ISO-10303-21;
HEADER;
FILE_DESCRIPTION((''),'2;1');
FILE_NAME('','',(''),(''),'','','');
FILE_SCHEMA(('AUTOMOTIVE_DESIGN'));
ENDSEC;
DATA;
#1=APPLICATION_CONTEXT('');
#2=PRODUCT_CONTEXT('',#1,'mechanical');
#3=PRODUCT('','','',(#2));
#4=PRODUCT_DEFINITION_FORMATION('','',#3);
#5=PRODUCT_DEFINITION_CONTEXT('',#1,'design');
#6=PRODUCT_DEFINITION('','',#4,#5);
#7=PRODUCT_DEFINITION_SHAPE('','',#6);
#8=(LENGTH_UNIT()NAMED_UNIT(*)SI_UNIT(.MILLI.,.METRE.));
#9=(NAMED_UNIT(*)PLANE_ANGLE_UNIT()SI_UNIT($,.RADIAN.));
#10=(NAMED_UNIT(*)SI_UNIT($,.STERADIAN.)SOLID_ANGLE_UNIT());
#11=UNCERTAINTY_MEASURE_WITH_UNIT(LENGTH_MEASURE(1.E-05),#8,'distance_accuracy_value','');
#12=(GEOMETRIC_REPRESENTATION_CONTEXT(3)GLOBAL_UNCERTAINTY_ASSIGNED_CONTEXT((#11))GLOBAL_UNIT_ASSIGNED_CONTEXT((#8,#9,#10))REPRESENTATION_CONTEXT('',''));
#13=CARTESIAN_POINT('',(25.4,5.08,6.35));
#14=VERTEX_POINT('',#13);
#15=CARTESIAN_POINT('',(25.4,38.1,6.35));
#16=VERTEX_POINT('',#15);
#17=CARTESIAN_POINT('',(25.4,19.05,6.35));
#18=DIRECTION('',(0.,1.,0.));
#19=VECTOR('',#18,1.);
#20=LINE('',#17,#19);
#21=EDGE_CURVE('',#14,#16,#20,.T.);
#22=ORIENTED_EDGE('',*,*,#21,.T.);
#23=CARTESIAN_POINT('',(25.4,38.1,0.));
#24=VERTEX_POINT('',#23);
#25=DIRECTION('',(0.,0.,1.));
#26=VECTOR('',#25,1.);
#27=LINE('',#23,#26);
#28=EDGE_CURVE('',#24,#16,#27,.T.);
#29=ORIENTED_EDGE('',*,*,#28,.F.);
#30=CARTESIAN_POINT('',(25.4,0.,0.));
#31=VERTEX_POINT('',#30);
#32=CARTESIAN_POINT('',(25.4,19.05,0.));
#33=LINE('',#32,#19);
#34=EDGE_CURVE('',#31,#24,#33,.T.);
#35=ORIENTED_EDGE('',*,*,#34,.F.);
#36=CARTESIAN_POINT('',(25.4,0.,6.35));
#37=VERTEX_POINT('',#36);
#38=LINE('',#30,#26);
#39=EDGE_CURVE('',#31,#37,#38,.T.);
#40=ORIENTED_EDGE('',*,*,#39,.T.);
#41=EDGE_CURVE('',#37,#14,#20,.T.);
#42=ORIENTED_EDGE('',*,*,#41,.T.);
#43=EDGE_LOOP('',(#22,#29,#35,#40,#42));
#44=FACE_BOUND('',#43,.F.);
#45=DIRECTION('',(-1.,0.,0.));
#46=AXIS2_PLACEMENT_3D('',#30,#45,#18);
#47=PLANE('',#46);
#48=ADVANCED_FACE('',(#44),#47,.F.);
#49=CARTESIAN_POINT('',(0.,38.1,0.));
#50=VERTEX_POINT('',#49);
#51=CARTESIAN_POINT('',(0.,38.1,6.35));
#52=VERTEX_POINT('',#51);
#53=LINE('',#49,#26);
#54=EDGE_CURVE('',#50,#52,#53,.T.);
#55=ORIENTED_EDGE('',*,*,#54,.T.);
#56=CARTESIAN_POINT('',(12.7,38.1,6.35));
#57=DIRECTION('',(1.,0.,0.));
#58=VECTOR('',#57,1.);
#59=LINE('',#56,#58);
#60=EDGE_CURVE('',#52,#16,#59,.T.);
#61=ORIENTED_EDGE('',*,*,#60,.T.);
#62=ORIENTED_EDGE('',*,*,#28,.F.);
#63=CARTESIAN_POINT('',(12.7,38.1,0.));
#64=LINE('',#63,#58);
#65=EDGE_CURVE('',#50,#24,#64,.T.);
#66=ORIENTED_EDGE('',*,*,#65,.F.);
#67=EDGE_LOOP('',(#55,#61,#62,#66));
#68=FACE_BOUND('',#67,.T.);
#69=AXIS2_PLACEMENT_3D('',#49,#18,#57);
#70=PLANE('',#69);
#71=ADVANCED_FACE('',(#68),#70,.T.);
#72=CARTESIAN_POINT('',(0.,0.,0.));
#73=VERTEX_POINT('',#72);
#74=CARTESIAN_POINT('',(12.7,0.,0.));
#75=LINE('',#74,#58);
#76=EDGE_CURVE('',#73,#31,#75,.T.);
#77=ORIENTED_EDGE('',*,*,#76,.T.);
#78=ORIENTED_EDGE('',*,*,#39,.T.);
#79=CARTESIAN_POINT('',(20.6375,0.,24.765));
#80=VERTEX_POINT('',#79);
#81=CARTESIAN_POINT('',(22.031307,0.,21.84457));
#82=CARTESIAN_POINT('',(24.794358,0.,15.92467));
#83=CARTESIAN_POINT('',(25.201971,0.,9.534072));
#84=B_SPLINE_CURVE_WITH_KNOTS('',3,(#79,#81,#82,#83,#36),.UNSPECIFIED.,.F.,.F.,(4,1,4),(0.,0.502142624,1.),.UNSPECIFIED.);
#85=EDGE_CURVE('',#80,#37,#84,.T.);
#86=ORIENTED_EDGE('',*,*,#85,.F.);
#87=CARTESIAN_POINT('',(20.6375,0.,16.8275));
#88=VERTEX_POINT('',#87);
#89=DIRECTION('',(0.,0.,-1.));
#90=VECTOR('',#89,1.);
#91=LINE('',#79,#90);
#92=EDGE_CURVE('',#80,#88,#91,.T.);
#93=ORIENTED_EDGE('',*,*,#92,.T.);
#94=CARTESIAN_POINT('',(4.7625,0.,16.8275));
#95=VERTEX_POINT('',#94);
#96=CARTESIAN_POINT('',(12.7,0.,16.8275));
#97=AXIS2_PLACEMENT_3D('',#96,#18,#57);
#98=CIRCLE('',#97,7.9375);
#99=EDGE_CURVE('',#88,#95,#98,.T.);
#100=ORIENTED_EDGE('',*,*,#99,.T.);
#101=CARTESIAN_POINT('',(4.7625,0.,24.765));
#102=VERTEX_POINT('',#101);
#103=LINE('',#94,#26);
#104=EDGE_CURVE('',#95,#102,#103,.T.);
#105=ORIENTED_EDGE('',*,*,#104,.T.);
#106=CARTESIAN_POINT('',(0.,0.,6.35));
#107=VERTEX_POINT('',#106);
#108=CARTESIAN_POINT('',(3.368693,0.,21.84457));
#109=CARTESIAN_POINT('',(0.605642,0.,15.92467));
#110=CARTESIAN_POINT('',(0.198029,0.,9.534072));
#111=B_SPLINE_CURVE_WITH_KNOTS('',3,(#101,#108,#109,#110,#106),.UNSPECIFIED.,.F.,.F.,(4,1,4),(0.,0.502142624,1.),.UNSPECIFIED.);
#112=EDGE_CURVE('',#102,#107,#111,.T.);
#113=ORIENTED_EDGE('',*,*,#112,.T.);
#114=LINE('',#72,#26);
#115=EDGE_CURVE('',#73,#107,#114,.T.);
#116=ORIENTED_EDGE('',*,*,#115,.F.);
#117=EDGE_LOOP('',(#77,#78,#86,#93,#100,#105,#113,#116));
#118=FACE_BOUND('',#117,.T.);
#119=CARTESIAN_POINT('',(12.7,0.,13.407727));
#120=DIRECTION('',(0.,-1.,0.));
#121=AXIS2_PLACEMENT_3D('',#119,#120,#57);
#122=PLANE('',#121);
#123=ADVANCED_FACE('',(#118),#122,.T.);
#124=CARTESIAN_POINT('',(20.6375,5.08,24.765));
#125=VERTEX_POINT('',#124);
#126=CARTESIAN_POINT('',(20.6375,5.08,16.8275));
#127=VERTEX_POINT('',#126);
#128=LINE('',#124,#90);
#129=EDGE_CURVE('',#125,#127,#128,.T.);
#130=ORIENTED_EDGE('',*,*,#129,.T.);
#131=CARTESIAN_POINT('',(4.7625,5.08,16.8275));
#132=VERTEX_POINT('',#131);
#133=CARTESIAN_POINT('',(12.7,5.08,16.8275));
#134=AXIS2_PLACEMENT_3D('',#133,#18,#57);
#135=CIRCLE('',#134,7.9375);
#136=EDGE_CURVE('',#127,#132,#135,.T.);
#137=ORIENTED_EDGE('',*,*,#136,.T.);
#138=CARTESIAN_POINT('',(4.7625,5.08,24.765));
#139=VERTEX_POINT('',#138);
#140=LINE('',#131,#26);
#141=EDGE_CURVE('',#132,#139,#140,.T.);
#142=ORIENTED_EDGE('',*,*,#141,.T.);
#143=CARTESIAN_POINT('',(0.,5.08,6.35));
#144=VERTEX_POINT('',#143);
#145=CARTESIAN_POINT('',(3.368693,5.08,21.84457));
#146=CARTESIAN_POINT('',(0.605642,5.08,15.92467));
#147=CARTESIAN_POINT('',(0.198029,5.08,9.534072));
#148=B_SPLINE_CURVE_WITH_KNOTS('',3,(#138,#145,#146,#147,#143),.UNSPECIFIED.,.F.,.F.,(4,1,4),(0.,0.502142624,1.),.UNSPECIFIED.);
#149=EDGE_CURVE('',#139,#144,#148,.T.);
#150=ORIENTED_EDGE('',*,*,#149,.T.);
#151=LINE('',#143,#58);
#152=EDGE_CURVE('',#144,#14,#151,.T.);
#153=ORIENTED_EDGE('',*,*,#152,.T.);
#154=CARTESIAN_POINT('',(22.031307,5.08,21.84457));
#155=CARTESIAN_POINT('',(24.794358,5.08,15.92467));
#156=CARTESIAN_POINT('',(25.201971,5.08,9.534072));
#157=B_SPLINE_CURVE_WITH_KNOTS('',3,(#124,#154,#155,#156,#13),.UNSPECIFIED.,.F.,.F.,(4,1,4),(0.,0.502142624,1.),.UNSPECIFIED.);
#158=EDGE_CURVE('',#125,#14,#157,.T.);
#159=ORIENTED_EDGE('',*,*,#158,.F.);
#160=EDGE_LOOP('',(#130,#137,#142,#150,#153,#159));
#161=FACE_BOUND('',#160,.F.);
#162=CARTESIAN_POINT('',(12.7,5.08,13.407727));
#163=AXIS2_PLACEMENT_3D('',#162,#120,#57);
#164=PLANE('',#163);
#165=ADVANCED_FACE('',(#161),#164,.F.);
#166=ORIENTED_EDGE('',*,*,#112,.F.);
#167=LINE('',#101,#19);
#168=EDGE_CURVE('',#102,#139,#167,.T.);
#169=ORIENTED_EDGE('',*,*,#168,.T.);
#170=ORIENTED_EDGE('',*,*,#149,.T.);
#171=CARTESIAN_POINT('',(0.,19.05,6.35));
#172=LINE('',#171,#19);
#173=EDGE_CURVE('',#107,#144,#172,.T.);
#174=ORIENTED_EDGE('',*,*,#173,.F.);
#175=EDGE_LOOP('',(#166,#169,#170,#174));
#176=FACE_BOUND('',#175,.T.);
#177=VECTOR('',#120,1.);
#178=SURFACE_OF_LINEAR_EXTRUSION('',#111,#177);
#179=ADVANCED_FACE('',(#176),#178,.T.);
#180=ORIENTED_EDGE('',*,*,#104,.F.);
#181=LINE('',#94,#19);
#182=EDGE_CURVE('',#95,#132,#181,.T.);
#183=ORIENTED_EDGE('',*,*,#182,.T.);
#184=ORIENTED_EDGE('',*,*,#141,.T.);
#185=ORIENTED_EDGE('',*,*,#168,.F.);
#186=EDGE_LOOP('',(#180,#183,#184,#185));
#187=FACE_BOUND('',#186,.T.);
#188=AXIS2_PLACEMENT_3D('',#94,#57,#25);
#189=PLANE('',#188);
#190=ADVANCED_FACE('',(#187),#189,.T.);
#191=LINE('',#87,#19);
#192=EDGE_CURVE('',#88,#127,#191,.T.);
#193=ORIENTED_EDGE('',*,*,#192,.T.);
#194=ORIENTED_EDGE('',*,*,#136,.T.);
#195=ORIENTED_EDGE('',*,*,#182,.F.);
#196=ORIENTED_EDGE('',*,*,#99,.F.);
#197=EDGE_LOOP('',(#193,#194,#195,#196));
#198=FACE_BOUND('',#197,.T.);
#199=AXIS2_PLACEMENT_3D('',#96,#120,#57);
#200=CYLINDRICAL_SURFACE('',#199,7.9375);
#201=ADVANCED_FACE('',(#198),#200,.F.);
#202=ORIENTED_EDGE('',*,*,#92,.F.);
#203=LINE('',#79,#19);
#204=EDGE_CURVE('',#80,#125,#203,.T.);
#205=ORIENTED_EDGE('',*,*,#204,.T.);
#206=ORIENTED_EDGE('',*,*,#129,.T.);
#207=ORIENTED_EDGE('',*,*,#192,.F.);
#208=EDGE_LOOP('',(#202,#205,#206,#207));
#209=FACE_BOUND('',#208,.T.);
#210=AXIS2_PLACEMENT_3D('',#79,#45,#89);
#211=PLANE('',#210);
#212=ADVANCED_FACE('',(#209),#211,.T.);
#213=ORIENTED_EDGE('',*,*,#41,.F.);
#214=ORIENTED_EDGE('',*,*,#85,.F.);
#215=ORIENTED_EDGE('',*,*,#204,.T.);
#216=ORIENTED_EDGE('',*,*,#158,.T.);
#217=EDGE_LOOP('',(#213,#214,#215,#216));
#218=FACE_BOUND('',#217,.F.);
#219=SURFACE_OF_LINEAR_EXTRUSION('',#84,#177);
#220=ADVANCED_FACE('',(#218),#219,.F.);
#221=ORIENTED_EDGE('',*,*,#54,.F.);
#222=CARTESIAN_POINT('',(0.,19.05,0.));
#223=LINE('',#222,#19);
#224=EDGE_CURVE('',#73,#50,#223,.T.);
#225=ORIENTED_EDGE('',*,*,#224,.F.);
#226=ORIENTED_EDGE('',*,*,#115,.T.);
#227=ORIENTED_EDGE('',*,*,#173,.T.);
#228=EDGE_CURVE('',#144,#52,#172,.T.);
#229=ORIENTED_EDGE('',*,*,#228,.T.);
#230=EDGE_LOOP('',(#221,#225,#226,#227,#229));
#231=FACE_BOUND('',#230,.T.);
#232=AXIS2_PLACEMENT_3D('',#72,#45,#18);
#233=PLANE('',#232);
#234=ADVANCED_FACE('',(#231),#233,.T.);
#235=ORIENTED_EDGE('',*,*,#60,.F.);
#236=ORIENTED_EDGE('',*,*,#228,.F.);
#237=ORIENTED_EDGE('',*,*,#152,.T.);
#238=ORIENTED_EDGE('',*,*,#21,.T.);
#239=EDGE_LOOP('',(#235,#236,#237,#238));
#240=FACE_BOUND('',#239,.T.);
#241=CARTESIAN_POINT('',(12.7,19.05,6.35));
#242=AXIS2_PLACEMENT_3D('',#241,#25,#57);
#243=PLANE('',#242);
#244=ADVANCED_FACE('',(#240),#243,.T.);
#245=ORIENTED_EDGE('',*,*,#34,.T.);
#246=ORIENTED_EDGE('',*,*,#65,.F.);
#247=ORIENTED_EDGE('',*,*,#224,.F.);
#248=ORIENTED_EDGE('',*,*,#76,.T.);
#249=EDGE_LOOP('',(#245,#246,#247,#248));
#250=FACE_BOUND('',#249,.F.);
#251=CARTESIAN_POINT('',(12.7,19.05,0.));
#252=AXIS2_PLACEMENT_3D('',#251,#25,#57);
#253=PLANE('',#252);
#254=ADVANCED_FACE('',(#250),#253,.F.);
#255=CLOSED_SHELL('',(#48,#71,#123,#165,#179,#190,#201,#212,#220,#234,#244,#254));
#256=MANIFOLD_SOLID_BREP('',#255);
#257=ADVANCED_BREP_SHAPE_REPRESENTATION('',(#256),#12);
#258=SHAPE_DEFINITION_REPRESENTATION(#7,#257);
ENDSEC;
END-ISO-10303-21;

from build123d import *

# Parameters (mm, degrees)
F0_W     = 25.4
F0_H     = 38.1
F1_DEPTH = 6.35
F3_DEPTH = 5.08


with BuildPart() as f1:
    # F0 (on Top) → F1 (new body)
    with BuildSketch(Plane.XY):
        with Locations((12.7, 19.05)):
            Rectangle(F0_W, F0_H)
    extrude(amount=F1_DEPTH)

    # F2 (on face) → F3 (join)
    with BuildSketch(Plane.XZ):
        with BuildLine():
            Line((20.6375, 24.765), (20.6375, 16.8275))
            ThreePointArc((20.6375, 16.8275), (12.7, 8.89), (4.7625, 16.8275))
            Line((4.7625, 16.8275), (4.7625, 24.765))
            add(Edge.make_bspline(
                [(4.7625, 24.765), (3.3686927535, 21.8445697007), (0.6056416057, 15.9246700816), (0.1980293046, 9.5340720789), (0, 6.35)],
                knots=[0, 0, 0, 0, 0.5021426244, 1, 1, 1, 1], degree=3))
            Line((0, 6.35), (25.4, 6.35))
            add(Edge.make_bspline(
                [(20.6375, 24.765), (22.0313072465, 21.8445697007), (24.7943583943, 15.9246700816), (25.2019706954, 9.5340720789), (25.4, 6.35)],
                knots=[0, 0, 0, 0, 0.5021426244, 1, 1, 1, 1], degree=3))
        make_face()
    extrude(amount=-F3_DEPTH)


solid = f1.part
